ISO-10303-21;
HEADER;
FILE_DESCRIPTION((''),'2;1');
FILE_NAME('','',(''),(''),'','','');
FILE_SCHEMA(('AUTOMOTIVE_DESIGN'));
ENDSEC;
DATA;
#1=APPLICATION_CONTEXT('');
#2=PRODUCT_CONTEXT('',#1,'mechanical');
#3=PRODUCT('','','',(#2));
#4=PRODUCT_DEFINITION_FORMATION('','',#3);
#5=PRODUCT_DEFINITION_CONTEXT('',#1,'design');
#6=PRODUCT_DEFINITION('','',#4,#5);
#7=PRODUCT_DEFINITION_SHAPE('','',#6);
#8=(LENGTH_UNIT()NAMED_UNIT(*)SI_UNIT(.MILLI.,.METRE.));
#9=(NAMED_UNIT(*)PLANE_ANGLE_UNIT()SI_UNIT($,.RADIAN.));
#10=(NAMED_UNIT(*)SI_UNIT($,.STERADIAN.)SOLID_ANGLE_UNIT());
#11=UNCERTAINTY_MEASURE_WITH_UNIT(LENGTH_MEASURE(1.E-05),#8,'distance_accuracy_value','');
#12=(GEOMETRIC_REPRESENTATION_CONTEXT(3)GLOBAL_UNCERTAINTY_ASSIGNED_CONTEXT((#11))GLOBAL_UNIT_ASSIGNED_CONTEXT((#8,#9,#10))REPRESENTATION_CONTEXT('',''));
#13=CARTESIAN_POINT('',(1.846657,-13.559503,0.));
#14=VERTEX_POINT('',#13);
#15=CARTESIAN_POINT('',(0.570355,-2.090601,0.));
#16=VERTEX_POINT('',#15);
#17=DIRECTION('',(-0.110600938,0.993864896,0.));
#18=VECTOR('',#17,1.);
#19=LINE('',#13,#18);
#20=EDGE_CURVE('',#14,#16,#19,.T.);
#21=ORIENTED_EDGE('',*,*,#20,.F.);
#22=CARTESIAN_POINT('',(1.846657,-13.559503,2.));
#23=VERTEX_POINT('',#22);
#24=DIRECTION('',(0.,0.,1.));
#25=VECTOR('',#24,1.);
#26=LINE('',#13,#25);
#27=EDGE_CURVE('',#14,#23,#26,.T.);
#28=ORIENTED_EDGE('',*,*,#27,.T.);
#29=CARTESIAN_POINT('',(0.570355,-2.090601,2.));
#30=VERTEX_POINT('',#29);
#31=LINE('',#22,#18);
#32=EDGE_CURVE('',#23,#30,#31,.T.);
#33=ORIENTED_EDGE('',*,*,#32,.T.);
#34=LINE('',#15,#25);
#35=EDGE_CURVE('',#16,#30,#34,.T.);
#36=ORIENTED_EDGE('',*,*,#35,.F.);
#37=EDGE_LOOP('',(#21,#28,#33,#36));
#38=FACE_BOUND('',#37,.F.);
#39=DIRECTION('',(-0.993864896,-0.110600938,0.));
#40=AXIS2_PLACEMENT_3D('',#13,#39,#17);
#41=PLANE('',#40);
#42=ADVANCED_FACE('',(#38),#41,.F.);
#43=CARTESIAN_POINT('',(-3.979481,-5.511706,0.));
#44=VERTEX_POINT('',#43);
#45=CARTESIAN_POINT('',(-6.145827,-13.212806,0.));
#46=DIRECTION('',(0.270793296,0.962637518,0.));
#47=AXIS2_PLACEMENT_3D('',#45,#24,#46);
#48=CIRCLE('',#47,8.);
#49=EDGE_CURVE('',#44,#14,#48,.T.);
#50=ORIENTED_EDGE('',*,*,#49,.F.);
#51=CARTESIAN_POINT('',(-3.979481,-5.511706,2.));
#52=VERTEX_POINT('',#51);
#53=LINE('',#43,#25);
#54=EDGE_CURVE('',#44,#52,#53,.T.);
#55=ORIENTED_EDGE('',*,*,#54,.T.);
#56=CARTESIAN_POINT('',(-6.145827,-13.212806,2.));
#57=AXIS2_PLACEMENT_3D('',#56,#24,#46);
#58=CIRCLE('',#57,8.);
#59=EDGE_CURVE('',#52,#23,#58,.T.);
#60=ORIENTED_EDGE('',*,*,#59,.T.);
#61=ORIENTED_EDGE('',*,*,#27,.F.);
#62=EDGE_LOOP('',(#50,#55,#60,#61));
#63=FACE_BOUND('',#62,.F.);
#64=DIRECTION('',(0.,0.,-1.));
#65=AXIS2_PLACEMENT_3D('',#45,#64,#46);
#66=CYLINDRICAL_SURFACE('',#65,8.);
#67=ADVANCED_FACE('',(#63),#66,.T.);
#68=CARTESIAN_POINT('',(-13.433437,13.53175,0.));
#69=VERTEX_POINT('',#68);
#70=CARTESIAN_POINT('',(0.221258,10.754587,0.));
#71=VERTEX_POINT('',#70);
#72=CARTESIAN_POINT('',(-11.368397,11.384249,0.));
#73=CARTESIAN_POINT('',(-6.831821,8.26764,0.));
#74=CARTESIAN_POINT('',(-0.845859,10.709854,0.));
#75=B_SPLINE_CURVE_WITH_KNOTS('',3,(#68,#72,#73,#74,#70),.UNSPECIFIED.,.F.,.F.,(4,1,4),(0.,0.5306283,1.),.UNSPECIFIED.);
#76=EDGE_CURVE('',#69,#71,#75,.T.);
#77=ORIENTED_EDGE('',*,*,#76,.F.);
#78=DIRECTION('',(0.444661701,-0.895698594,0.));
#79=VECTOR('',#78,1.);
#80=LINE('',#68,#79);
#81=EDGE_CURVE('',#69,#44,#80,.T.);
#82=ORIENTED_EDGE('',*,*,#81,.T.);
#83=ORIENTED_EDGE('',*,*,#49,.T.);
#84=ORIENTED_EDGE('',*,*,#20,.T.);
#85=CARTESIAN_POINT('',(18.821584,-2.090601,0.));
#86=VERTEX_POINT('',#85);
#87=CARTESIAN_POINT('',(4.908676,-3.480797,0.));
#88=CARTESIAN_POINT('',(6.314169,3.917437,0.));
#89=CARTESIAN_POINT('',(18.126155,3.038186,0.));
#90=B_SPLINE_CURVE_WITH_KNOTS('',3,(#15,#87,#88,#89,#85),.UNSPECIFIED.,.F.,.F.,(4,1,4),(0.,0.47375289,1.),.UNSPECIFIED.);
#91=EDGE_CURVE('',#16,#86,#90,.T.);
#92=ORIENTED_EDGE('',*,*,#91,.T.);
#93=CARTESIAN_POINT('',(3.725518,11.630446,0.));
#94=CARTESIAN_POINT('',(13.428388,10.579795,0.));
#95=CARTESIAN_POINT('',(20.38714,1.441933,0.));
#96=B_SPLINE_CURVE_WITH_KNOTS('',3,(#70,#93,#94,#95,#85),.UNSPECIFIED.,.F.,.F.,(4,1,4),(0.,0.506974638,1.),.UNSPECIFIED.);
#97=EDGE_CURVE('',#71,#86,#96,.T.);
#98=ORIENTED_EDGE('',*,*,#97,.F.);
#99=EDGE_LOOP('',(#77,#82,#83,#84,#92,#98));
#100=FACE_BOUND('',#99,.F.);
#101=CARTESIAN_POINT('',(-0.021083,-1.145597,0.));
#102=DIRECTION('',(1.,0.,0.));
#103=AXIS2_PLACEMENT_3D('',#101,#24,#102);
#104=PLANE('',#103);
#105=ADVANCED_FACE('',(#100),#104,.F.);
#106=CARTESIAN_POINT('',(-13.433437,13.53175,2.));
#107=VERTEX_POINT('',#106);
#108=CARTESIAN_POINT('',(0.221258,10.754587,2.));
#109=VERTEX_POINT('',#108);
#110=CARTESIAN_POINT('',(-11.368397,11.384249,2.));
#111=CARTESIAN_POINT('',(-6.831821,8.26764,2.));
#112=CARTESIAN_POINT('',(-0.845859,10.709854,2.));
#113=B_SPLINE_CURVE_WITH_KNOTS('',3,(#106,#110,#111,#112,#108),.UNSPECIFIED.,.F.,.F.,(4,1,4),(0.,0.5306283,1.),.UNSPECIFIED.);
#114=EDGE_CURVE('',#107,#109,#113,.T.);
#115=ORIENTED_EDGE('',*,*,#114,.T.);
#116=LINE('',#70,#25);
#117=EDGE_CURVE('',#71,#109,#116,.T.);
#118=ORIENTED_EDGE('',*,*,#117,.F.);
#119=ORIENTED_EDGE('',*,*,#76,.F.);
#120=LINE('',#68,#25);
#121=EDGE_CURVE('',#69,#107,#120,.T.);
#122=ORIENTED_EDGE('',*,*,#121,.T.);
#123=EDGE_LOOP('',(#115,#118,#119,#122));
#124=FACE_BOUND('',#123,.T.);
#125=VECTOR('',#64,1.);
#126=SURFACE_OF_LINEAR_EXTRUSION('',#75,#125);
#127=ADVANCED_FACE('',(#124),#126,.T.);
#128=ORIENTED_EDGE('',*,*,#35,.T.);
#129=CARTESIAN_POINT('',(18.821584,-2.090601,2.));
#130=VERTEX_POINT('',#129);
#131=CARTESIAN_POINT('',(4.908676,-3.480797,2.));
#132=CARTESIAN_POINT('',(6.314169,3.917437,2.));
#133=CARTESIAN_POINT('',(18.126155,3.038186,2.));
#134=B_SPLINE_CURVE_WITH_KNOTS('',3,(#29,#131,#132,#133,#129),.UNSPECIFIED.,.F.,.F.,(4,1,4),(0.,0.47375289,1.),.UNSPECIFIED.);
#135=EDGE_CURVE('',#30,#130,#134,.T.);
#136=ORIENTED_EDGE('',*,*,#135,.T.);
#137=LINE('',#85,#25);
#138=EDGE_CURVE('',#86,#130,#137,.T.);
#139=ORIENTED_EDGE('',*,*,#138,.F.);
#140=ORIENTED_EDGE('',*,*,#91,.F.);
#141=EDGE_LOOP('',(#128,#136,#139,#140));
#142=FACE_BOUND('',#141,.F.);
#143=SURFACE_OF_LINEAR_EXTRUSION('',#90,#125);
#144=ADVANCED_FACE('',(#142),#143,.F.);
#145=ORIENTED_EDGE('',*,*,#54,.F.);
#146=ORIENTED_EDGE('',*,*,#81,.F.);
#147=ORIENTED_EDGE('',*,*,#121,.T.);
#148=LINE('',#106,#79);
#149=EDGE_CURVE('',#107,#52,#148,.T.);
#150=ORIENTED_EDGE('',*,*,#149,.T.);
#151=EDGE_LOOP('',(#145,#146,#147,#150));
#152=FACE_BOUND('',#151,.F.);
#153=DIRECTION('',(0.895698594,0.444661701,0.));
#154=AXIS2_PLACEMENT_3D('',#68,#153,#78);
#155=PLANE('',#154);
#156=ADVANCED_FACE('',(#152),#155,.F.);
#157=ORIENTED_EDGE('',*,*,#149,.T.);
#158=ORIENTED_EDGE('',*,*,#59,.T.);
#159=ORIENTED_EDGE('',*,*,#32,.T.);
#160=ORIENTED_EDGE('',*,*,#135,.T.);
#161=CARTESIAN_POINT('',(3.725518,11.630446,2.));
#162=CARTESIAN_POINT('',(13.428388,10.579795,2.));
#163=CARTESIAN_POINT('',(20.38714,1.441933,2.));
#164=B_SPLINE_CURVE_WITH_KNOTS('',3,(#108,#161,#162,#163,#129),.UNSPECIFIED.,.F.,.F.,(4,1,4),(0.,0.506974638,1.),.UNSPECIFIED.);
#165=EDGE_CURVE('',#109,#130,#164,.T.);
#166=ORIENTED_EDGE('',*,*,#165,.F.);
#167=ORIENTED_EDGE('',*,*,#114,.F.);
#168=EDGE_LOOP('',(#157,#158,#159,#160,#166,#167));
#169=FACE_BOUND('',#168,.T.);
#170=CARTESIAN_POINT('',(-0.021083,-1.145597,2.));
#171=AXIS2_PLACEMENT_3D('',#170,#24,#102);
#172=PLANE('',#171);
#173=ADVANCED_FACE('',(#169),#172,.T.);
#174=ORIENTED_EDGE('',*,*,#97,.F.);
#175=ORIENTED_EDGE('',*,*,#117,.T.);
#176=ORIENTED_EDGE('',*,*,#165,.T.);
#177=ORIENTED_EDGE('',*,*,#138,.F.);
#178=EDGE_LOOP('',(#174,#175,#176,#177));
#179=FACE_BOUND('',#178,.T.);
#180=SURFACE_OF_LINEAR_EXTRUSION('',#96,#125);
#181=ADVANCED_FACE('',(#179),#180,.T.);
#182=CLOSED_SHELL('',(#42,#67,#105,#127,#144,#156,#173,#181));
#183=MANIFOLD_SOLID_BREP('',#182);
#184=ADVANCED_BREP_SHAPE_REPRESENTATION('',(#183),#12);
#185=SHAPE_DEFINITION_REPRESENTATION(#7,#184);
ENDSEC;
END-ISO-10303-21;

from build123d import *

# Parameters (mm, degrees)
F1_DEPTH = 2


with BuildPart() as f1:
    # F0 (on Top) → F1 (new body)
    with BuildSketch(Plane.XY):
        with BuildLine():
            Line((-13.4334374082, 13.5317500746), (-3.9794810388, -5.5117057066))
            ThreePointArc((-3.9794810388, -5.5117057066), (-12.6259678187, -17.904050911), (1.8466566245, -13.5595031756))
            Line((1.8466566245, -13.5595031756), (0.5703550503, -2.0906010947))
            add(Edge.make_bspline(
                [(0.5703550503, -2.0906010947), (4.9086763909, -3.4807969521), (6.3141694773, 3.9174365207), (18.1261551848, 3.0381855815), (18.8215841278, -2.0906010947)],
                knots=[0, 0, 0, 0, 0.4737528897, 1, 1, 1, 1], degree=3))
            add(Edge.make_bspline(
                [(0.2212580964, 10.754586819), (3.7255176082, 11.6304463403), (13.4283878257, 10.5797945034), (20.3871404348, 1.4419327175), (18.8215841278, -2.0906010947)],
                knots=[0, 0, 0, 0, 0.5069746376, 1, 1, 1, 1], degree=3))
            add(Edge.make_bspline(
                [(-13.4334374082, 13.5317500746), (-11.3683972236, 11.3842489957), (-6.8318207124, 8.2676403977), (-0.8458593943, 10.7098537838), (0.2212580964, 10.754586819)],
                knots=[0, 0, 0, 0, 0.5306283003, 1, 1, 1, 1], degree=3))
        make_face()
    extrude(amount=F1_DEPTH)


solid = f1.part
